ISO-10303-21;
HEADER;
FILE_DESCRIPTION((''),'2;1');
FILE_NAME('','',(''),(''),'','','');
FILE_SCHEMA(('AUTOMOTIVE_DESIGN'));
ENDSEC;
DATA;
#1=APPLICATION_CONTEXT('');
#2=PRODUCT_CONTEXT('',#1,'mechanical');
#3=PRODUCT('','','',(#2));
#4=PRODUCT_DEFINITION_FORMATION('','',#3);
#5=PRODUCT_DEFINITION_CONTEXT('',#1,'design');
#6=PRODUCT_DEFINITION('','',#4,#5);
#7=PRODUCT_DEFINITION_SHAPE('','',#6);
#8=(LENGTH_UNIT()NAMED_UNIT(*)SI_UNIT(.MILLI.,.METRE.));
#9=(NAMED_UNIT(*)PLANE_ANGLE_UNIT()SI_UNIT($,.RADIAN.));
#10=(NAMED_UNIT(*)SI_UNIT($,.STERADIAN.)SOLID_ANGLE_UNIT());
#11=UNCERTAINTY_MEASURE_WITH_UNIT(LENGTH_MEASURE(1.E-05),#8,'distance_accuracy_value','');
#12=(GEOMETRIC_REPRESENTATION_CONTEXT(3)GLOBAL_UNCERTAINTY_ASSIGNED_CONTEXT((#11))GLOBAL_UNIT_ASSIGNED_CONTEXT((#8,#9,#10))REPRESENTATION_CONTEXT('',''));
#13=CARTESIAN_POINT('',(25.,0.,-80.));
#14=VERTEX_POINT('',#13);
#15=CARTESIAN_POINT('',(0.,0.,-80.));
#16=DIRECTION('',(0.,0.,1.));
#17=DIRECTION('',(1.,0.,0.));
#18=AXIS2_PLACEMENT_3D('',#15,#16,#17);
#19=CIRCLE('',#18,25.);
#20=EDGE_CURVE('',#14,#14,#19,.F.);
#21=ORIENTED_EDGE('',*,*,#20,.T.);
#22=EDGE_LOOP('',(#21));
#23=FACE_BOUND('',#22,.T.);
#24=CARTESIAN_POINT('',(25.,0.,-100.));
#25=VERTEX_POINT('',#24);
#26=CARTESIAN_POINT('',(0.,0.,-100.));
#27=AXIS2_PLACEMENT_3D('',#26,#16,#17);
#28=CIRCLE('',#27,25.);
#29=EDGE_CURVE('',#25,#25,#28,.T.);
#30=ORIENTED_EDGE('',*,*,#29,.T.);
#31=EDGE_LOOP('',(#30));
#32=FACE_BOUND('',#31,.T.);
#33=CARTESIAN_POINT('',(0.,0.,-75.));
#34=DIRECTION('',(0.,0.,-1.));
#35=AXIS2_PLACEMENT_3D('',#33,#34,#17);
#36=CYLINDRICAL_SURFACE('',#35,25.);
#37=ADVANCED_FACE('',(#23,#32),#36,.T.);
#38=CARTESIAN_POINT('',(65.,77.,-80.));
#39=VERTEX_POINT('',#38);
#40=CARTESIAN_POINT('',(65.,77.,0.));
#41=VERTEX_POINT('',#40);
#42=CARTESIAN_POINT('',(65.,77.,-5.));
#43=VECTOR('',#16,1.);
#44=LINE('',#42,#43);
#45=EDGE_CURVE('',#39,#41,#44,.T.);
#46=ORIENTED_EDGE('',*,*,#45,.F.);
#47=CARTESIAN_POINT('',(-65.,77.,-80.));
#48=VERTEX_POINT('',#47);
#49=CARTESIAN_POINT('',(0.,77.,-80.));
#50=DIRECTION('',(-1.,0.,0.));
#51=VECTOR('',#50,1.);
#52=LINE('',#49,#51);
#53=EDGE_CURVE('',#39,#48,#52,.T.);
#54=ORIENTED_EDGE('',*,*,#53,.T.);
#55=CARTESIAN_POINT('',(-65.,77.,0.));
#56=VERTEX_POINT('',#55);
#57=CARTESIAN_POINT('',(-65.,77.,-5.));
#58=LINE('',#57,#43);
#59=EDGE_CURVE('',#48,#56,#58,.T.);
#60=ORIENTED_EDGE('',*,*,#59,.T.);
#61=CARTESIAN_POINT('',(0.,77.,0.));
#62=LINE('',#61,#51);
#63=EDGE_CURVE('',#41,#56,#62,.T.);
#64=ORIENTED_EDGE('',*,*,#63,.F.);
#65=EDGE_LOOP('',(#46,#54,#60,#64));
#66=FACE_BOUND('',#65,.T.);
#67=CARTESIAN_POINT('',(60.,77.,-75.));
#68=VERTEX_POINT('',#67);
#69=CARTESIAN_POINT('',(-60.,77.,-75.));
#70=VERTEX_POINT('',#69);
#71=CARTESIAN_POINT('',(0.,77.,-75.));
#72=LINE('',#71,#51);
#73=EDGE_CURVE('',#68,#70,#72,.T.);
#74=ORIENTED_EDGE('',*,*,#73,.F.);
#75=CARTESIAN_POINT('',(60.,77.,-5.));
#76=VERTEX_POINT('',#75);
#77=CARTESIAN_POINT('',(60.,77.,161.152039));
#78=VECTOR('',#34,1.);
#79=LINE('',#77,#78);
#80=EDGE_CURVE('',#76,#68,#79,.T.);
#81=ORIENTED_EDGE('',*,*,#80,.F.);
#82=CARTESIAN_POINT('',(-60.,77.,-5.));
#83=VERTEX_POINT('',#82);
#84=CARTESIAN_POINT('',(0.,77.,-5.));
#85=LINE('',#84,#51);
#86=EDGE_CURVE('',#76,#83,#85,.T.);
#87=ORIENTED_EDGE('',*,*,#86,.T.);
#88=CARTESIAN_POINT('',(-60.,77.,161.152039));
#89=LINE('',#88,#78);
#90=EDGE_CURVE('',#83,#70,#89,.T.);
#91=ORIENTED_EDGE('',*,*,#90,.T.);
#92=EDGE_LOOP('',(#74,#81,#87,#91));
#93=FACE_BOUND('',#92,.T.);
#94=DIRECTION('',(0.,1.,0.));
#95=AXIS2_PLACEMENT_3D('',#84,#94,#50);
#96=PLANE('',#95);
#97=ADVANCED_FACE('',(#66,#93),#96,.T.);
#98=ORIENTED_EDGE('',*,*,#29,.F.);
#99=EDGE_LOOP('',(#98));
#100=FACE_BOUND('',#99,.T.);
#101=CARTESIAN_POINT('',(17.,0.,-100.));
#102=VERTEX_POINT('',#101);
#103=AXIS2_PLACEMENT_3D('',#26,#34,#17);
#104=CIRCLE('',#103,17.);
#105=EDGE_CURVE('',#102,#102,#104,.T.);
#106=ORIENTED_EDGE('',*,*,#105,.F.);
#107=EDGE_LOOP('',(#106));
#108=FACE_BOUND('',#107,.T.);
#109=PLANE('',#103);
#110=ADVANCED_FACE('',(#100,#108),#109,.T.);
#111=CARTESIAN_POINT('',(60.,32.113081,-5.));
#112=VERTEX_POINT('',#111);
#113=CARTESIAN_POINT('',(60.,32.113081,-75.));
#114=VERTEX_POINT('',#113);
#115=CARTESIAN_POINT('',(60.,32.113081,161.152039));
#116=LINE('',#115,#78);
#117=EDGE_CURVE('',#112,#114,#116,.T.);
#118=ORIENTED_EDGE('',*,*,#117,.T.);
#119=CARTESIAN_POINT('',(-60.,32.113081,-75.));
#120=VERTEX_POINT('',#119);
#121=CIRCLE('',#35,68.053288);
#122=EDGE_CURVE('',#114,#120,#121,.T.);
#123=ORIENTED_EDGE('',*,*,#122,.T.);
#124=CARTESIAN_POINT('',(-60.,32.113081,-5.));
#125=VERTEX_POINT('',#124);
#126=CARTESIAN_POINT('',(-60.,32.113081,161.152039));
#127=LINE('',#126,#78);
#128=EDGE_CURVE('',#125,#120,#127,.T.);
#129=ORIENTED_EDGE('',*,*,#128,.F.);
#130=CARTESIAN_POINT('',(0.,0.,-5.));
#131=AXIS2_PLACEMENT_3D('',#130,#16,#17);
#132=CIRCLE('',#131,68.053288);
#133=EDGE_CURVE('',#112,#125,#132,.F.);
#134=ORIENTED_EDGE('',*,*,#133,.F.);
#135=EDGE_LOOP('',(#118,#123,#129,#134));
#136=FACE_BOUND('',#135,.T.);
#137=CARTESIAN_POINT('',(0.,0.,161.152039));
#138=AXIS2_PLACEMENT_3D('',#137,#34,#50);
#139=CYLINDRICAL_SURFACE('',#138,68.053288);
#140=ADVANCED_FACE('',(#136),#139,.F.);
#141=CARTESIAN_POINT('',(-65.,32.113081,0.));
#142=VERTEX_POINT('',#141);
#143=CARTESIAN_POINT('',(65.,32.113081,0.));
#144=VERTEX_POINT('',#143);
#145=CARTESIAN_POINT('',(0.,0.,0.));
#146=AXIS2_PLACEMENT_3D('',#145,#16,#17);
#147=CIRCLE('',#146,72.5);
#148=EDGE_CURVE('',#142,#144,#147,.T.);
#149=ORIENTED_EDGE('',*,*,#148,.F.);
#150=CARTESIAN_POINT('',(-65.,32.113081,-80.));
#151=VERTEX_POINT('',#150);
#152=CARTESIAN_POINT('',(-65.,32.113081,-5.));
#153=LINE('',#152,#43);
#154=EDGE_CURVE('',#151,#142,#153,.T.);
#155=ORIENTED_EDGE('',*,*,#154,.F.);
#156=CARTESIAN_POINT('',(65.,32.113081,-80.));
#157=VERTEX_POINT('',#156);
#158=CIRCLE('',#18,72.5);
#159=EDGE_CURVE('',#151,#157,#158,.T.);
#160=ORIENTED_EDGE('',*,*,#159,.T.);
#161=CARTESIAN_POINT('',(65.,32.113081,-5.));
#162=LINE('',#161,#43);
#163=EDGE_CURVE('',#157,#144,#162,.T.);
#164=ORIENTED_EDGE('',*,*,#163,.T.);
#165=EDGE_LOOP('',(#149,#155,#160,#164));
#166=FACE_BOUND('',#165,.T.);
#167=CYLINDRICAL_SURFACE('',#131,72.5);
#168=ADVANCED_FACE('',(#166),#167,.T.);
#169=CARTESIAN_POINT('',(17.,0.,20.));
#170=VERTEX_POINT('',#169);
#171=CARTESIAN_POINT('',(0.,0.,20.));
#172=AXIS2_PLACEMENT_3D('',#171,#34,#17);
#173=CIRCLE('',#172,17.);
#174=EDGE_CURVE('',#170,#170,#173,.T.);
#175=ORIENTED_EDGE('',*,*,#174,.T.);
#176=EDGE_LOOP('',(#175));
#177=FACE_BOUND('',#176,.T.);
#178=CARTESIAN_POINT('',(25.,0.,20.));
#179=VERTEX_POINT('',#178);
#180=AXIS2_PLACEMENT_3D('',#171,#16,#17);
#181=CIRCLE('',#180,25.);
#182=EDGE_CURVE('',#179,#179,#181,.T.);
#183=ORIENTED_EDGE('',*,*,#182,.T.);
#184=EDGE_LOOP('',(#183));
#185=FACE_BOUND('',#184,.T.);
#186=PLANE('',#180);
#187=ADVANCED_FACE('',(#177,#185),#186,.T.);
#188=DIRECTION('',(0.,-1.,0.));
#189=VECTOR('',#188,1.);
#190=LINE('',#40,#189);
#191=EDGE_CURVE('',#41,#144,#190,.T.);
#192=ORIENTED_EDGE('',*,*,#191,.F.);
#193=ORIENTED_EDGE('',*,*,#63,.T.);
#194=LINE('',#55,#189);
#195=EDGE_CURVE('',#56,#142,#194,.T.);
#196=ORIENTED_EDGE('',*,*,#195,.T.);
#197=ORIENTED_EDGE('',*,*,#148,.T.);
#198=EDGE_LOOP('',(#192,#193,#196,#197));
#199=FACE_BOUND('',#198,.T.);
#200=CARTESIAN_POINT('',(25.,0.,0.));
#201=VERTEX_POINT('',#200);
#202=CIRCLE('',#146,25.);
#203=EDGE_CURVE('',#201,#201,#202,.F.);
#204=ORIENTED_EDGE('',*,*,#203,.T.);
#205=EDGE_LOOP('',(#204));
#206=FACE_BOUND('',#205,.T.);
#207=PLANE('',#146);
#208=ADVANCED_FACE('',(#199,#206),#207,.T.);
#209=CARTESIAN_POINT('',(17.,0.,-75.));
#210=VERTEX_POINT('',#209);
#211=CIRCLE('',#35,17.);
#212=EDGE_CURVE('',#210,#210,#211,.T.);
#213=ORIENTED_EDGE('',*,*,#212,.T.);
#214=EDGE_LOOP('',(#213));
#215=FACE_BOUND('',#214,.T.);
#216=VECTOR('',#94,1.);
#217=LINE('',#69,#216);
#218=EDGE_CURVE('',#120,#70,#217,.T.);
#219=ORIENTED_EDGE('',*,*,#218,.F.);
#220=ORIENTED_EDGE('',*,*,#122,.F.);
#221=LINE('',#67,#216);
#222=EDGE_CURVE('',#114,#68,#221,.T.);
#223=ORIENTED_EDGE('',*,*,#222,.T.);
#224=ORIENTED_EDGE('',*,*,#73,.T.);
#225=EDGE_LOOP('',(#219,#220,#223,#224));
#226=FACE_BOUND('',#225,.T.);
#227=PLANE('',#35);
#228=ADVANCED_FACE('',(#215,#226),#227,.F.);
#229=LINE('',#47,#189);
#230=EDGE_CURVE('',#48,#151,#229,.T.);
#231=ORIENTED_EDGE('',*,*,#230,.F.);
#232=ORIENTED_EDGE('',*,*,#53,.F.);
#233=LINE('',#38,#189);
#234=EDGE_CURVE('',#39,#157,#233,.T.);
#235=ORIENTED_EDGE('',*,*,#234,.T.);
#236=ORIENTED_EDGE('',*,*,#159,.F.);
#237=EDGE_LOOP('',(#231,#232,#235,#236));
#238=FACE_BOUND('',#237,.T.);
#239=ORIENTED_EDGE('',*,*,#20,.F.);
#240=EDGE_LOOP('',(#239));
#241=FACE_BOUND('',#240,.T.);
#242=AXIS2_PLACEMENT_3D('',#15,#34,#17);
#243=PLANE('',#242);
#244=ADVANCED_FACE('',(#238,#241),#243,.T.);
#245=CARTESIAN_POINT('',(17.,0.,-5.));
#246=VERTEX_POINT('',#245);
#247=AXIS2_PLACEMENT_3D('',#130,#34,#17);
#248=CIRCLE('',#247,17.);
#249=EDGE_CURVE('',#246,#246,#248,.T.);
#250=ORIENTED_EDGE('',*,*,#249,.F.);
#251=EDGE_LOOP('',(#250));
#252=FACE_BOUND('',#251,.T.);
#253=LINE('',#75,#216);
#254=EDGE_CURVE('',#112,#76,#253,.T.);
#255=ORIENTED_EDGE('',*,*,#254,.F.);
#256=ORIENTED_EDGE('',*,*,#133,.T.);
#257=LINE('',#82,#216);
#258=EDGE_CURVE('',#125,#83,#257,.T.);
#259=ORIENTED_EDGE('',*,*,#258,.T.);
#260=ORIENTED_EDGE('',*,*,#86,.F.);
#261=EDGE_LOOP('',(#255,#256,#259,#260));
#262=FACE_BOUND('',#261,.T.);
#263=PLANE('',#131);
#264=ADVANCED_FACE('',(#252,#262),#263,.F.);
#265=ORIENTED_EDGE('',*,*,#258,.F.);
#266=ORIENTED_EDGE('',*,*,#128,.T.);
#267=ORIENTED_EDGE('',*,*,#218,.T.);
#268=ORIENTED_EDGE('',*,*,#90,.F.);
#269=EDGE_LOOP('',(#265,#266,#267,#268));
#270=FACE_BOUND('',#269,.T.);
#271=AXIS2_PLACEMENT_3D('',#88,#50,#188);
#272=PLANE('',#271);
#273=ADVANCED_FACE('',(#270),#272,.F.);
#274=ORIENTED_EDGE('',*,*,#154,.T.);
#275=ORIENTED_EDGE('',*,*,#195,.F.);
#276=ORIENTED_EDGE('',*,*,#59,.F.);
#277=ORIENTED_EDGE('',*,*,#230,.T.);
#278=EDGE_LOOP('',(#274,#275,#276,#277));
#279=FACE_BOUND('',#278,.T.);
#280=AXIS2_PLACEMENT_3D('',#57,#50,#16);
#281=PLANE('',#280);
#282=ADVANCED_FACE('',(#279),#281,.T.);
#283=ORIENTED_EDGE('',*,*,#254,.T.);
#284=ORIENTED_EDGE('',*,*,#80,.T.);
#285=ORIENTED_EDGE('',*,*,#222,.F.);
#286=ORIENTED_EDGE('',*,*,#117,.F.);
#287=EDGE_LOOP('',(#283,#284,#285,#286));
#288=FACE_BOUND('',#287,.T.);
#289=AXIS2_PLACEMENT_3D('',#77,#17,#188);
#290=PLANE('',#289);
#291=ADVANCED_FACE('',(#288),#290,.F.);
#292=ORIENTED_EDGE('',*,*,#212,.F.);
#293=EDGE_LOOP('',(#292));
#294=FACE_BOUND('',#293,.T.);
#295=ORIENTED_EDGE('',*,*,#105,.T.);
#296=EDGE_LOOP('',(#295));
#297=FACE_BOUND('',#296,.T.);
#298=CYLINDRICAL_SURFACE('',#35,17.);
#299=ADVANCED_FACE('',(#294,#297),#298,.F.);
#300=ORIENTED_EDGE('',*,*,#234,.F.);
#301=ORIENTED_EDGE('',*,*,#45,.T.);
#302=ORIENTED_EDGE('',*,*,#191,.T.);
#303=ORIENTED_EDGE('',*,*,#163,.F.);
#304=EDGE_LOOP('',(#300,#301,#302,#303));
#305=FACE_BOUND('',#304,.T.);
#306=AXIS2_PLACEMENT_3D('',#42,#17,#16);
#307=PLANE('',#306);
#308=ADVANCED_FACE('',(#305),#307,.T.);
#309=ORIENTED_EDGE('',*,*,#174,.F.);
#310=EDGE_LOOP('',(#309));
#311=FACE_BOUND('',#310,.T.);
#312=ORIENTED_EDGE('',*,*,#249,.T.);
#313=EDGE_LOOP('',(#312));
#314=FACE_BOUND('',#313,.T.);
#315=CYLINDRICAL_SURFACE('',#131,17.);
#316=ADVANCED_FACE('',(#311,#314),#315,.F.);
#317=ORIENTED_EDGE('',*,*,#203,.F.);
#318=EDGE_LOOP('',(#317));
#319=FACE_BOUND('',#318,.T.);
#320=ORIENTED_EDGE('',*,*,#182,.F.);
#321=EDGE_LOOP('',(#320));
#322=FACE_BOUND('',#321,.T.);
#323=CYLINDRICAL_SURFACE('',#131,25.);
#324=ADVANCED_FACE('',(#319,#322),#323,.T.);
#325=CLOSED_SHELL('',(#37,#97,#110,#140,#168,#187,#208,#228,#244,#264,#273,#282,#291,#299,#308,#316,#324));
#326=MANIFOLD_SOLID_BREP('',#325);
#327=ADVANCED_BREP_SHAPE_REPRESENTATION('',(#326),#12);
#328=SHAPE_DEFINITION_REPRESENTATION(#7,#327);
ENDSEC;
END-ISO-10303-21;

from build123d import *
from build123d.topology import SkipClean

# Parameters (mm, degrees)
BOSS_EXTRUDE1_DEPTH      = 20
BOSS_EXTRUDE1_DEPTH_BACK = 5
BOSS_EXTRUDE2_START      = -5
BOSS_EXTRUDE2_DEPTH      = 5
BOSS_EXTRUDE3_DEPTH      = 70


with BuildPart() as part:
    # Sketch1 → Boss-Extrude1 (new, two sides: drawn at the far end of the back side and taken through both)
    with BuildSketch(Plane.XY.offset(-BOSS_EXTRUDE1_DEPTH_BACK)):
        with BuildLine():
            Line((0, 25), (0, 17))
            ThreePointArc((0, 17), (-17, 0), (0, -17))
            Line((0, -17), (0, -25))
            ThreePointArc((0, -25), (-25, 0), (0, 25))
        make_face()
    extrude(amount=BOSS_EXTRUDE1_DEPTH + BOSS_EXTRUDE1_DEPTH_BACK)

    # Sketch2 → Boss-Extrude2 (add)
    with BuildSketch(Plane.XY.offset(BOSS_EXTRUDE2_START)):
        with BuildLine():
            Line((0, -25), (0, -72.5))
            ThreePointArc((0, -72.5), (-61.581037686, -38.262590053), (-65, 32.113081447))
            Line((-65, 32.113081447), (-65, 77))
            Line((-65, 77), (0, 77))
            Line((0, 77), (0, 25))
            Line((0, 25), (0, 17))
            ThreePointArc((0, 17), (-17, 0), (0, -17))
            Line((0, -17), (0, -25))
        make_face()
    extrude(amount=BOSS_EXTRUDE2_DEPTH)


with BuildPart() as body_2:
    # Mirror8: mirrored copy
    add(part.part.mirror(Plane.XY.offset(-40)))


with BuildPart() as part_1:
    add(part.part)

    add(body_2.part)  # Boss-Extrude3 merges body 2
    # Sketch3 → Boss-Extrude3 (add)
    with BuildSketch(Plane.XY.offset(-75)):
        with BuildLine():
            Line((-65, 32.113081447), (-65, 77))
            Line((-65, 77), (-60, 77))
            Line((-60, 77), (-60, 32.113081447))
            ThreePointArc((-60, 32.113081447), (-58.380864924, -34.970339014), (0, -68.053287944))
            Line((0, -68.053287944), (0, -72.5))
            ThreePointArc((0, -72.5), (-61.581037686, -38.262590053), (-65, 32.113081447))
        make_face()
    extrude(amount=BOSS_EXTRUDE3_DEPTH)

    # Mirror9: part across plane


with BuildPart() as part_2:
    with SkipClean():  # the faces are left unmerged after this step: merging them gives an invalid solid
        add(part_1.part)
        add(part_1.part.mirror(Plane(origin=(0, 0, 0), x_dir=(0, 0, 1), z_dir=(1, 0, 0))))


solid = part_2.part
